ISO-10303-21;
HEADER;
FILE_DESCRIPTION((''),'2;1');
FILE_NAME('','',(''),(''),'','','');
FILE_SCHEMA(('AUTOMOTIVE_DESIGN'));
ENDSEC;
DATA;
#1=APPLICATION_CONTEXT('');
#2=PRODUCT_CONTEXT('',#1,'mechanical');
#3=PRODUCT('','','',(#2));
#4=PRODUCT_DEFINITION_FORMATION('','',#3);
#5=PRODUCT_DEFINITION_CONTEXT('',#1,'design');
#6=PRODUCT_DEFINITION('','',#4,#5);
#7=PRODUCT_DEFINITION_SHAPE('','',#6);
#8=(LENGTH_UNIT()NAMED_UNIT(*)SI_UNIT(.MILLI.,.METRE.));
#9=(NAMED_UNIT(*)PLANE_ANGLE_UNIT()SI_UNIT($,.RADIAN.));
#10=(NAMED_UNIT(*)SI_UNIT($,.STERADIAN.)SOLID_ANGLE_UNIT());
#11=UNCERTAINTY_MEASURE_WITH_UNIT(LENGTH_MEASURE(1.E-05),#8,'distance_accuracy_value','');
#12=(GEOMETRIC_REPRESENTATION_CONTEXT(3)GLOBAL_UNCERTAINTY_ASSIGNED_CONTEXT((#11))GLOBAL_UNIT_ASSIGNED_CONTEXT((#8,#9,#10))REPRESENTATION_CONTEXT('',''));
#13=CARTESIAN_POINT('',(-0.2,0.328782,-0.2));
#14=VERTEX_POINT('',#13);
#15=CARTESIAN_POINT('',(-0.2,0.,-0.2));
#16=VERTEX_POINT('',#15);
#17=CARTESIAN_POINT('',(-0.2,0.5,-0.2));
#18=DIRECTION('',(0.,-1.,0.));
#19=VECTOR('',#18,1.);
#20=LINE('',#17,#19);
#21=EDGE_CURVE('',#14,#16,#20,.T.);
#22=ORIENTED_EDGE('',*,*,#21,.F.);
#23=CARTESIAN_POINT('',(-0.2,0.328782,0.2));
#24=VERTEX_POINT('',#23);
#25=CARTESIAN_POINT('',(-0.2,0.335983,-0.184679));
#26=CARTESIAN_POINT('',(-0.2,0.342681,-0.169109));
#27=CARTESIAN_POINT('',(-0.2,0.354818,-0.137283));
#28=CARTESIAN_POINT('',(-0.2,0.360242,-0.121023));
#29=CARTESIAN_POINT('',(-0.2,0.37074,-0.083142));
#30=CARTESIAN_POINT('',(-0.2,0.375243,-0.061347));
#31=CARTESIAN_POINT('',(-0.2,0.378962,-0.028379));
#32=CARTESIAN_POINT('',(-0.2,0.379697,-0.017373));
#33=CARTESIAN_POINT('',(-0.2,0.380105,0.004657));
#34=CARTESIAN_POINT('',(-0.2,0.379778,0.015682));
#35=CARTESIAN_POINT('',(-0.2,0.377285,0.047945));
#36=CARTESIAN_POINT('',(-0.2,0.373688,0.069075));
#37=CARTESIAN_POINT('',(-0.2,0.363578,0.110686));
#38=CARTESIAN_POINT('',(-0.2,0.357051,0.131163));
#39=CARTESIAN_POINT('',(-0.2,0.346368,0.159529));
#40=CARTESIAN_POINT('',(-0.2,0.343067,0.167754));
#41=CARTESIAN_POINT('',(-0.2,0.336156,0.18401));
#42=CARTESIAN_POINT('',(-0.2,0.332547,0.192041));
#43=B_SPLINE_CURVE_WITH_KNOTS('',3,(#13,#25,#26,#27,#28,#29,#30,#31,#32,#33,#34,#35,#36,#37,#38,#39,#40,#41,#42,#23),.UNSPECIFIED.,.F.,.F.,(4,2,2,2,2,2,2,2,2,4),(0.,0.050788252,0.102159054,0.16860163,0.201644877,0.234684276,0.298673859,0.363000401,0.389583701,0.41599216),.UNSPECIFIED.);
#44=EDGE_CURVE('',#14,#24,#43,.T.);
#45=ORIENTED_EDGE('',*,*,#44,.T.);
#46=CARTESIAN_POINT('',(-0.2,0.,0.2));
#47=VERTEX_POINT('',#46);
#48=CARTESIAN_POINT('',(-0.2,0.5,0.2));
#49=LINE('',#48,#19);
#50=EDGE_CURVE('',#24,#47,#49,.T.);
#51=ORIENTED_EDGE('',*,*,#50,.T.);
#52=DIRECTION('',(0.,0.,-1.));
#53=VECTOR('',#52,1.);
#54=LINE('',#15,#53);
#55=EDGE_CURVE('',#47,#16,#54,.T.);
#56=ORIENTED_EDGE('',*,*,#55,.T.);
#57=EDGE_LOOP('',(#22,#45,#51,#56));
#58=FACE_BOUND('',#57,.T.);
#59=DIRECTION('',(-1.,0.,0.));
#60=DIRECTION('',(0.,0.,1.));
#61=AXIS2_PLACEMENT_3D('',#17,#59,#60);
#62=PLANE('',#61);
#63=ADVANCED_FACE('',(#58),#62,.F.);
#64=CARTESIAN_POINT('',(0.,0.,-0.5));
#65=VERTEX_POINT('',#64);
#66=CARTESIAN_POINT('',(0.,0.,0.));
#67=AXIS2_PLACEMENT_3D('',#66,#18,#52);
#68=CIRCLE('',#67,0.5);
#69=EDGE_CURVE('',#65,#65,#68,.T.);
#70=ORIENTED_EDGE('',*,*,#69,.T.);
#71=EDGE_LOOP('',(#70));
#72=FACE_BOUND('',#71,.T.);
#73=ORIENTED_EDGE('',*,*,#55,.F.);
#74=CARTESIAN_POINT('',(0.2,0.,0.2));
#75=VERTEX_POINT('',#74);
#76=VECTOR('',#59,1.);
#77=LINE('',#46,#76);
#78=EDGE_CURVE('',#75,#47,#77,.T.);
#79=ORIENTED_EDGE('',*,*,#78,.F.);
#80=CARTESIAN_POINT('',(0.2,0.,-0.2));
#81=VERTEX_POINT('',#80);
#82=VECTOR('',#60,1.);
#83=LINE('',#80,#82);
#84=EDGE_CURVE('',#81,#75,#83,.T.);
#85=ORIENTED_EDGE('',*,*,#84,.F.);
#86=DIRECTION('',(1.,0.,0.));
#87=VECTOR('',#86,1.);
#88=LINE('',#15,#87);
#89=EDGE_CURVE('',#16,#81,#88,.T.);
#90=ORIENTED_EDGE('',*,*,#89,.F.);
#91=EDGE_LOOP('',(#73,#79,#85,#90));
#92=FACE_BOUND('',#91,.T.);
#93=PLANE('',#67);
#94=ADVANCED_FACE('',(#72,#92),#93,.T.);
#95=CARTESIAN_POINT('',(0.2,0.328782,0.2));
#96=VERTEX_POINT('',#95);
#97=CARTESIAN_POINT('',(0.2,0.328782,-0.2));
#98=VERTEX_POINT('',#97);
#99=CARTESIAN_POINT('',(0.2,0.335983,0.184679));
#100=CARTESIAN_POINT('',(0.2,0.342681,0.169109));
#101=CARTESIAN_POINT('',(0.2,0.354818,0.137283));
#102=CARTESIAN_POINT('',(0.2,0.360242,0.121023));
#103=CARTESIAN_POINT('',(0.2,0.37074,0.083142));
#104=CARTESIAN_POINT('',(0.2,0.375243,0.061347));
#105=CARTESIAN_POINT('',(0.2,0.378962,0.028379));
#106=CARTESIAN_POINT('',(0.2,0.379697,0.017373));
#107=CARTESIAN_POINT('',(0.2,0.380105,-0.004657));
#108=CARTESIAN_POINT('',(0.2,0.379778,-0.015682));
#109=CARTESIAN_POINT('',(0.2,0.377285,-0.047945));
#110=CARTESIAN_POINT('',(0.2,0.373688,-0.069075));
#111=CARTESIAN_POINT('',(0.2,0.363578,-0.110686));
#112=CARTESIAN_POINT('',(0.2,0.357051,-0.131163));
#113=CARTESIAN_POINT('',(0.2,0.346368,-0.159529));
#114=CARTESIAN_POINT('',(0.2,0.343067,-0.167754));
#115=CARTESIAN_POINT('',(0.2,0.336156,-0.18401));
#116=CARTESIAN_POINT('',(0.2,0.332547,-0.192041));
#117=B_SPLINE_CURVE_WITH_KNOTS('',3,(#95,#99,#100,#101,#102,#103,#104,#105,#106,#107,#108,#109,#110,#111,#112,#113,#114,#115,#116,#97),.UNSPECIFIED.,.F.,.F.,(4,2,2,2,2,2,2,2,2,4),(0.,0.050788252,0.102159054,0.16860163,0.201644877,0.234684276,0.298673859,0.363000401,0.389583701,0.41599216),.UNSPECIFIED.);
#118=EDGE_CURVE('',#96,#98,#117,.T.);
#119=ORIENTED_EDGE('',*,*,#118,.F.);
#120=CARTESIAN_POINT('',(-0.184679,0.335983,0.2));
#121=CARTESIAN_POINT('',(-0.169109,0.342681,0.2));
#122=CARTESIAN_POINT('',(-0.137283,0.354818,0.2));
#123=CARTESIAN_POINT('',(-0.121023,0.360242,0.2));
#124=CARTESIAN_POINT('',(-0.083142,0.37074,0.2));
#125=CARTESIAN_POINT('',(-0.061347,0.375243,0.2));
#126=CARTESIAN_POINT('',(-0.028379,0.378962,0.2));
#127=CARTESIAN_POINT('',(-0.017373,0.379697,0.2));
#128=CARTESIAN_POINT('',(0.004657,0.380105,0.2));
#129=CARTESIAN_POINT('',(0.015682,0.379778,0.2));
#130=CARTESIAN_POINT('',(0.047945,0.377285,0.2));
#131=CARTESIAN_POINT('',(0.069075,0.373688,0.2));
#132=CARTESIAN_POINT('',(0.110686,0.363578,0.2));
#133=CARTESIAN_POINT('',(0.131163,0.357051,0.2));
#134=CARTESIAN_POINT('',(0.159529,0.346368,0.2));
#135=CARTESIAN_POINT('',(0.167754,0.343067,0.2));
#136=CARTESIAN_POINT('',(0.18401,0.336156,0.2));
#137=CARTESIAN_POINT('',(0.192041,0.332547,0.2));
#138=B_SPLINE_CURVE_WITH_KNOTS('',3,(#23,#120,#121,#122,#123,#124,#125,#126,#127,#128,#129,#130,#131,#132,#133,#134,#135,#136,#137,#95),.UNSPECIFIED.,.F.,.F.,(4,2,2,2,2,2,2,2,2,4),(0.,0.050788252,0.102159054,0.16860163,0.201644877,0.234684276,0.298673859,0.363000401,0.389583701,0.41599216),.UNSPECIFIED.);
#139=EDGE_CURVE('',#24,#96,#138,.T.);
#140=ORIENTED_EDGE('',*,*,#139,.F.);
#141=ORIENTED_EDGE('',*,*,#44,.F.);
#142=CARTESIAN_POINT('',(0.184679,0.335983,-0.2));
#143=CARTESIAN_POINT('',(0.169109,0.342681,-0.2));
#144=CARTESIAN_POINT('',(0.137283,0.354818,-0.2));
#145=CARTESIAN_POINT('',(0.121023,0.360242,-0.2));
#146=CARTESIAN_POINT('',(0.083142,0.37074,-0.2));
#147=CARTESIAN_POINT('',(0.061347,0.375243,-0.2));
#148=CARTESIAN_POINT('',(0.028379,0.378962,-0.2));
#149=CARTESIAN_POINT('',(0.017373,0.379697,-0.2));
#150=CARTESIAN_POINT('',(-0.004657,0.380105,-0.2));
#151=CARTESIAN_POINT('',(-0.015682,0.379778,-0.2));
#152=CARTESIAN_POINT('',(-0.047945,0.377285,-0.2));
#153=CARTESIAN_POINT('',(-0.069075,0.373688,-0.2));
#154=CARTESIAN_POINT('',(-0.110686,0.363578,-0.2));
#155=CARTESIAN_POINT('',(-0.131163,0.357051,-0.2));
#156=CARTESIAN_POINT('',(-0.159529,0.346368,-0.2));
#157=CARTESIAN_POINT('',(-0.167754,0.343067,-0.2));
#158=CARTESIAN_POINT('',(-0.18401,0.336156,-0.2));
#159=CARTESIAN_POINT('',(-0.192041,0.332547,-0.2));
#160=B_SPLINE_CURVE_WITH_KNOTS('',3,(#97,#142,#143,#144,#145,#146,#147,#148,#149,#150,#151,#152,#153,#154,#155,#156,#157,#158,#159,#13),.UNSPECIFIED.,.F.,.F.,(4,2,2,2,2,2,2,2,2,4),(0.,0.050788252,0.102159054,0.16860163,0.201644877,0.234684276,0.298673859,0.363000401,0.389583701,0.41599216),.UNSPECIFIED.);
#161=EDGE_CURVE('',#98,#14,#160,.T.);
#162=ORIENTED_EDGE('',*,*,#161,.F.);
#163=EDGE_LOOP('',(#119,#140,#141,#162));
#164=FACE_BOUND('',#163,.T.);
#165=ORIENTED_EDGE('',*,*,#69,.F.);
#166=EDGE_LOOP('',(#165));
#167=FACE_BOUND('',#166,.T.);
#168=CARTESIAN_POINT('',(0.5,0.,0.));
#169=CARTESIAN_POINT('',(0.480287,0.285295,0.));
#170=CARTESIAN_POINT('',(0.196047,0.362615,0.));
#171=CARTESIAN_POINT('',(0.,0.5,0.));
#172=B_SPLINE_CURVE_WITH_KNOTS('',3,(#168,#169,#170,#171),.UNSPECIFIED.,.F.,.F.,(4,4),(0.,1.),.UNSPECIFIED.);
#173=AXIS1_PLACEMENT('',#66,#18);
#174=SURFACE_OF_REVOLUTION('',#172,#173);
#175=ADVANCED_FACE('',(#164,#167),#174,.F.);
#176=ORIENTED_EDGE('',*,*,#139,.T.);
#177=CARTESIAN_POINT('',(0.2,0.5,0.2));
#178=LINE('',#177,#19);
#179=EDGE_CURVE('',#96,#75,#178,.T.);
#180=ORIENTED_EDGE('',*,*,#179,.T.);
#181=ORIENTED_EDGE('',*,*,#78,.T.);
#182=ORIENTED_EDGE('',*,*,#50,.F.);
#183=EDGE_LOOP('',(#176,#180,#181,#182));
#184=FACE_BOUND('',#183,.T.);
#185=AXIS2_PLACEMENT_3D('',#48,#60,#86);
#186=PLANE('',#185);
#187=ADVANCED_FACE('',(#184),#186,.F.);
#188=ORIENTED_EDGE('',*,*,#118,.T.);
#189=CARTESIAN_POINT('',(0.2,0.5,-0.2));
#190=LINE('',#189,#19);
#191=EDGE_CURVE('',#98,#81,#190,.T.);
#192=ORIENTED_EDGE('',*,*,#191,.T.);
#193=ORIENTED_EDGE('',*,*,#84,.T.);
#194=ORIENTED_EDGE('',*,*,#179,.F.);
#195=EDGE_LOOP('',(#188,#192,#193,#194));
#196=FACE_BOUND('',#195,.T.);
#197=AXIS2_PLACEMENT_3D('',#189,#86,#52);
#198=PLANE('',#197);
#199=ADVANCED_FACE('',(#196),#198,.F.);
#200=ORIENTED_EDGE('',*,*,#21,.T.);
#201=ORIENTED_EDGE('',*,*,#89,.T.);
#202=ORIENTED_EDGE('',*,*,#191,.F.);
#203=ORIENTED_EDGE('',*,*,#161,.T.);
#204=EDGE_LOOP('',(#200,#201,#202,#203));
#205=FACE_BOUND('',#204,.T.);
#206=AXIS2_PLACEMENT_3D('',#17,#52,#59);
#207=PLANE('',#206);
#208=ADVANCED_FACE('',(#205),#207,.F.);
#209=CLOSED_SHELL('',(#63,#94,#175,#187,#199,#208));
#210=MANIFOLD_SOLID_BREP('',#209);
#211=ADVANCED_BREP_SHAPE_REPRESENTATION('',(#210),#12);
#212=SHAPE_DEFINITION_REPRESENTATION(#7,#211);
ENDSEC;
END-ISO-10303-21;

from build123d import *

# Parameters (mm, degrees)
SKETCH2_W          = 0.4
SKETCH2_H          = 0.4
CUT_EXTRUDE1_DEPTH = 1.866025577


with BuildPart() as part:
    # Sketch1 → Revolve1 (revolve)
    with BuildSketch(Plane.XY):
        with BuildLine():
            Line((0, 0), (0, 0.5))
            add(Edge.make_bspline(
                [(0.5, 0), (0.480286731, 0.285294789), (0.196047082, 0.362615465), (0, 0.5)],
                knots=[0, 0, 0, 0, 1, 1, 1, 1], degree=3))
            Line((0.5, 0), (0, 0))
        make_face()
    revolve(axis=Axis((0, 0, 0), (0, 1, 0)))

    # Sketch2 → Cut-Extrude1 (cut, through all)
    with BuildSketch(Plane.XZ):
        Rectangle(SKETCH2_W, SKETCH2_H)
    extrude(amount=-CUT_EXTRUDE1_DEPTH, mode=Mode.SUBTRACT)


solid = part.part
